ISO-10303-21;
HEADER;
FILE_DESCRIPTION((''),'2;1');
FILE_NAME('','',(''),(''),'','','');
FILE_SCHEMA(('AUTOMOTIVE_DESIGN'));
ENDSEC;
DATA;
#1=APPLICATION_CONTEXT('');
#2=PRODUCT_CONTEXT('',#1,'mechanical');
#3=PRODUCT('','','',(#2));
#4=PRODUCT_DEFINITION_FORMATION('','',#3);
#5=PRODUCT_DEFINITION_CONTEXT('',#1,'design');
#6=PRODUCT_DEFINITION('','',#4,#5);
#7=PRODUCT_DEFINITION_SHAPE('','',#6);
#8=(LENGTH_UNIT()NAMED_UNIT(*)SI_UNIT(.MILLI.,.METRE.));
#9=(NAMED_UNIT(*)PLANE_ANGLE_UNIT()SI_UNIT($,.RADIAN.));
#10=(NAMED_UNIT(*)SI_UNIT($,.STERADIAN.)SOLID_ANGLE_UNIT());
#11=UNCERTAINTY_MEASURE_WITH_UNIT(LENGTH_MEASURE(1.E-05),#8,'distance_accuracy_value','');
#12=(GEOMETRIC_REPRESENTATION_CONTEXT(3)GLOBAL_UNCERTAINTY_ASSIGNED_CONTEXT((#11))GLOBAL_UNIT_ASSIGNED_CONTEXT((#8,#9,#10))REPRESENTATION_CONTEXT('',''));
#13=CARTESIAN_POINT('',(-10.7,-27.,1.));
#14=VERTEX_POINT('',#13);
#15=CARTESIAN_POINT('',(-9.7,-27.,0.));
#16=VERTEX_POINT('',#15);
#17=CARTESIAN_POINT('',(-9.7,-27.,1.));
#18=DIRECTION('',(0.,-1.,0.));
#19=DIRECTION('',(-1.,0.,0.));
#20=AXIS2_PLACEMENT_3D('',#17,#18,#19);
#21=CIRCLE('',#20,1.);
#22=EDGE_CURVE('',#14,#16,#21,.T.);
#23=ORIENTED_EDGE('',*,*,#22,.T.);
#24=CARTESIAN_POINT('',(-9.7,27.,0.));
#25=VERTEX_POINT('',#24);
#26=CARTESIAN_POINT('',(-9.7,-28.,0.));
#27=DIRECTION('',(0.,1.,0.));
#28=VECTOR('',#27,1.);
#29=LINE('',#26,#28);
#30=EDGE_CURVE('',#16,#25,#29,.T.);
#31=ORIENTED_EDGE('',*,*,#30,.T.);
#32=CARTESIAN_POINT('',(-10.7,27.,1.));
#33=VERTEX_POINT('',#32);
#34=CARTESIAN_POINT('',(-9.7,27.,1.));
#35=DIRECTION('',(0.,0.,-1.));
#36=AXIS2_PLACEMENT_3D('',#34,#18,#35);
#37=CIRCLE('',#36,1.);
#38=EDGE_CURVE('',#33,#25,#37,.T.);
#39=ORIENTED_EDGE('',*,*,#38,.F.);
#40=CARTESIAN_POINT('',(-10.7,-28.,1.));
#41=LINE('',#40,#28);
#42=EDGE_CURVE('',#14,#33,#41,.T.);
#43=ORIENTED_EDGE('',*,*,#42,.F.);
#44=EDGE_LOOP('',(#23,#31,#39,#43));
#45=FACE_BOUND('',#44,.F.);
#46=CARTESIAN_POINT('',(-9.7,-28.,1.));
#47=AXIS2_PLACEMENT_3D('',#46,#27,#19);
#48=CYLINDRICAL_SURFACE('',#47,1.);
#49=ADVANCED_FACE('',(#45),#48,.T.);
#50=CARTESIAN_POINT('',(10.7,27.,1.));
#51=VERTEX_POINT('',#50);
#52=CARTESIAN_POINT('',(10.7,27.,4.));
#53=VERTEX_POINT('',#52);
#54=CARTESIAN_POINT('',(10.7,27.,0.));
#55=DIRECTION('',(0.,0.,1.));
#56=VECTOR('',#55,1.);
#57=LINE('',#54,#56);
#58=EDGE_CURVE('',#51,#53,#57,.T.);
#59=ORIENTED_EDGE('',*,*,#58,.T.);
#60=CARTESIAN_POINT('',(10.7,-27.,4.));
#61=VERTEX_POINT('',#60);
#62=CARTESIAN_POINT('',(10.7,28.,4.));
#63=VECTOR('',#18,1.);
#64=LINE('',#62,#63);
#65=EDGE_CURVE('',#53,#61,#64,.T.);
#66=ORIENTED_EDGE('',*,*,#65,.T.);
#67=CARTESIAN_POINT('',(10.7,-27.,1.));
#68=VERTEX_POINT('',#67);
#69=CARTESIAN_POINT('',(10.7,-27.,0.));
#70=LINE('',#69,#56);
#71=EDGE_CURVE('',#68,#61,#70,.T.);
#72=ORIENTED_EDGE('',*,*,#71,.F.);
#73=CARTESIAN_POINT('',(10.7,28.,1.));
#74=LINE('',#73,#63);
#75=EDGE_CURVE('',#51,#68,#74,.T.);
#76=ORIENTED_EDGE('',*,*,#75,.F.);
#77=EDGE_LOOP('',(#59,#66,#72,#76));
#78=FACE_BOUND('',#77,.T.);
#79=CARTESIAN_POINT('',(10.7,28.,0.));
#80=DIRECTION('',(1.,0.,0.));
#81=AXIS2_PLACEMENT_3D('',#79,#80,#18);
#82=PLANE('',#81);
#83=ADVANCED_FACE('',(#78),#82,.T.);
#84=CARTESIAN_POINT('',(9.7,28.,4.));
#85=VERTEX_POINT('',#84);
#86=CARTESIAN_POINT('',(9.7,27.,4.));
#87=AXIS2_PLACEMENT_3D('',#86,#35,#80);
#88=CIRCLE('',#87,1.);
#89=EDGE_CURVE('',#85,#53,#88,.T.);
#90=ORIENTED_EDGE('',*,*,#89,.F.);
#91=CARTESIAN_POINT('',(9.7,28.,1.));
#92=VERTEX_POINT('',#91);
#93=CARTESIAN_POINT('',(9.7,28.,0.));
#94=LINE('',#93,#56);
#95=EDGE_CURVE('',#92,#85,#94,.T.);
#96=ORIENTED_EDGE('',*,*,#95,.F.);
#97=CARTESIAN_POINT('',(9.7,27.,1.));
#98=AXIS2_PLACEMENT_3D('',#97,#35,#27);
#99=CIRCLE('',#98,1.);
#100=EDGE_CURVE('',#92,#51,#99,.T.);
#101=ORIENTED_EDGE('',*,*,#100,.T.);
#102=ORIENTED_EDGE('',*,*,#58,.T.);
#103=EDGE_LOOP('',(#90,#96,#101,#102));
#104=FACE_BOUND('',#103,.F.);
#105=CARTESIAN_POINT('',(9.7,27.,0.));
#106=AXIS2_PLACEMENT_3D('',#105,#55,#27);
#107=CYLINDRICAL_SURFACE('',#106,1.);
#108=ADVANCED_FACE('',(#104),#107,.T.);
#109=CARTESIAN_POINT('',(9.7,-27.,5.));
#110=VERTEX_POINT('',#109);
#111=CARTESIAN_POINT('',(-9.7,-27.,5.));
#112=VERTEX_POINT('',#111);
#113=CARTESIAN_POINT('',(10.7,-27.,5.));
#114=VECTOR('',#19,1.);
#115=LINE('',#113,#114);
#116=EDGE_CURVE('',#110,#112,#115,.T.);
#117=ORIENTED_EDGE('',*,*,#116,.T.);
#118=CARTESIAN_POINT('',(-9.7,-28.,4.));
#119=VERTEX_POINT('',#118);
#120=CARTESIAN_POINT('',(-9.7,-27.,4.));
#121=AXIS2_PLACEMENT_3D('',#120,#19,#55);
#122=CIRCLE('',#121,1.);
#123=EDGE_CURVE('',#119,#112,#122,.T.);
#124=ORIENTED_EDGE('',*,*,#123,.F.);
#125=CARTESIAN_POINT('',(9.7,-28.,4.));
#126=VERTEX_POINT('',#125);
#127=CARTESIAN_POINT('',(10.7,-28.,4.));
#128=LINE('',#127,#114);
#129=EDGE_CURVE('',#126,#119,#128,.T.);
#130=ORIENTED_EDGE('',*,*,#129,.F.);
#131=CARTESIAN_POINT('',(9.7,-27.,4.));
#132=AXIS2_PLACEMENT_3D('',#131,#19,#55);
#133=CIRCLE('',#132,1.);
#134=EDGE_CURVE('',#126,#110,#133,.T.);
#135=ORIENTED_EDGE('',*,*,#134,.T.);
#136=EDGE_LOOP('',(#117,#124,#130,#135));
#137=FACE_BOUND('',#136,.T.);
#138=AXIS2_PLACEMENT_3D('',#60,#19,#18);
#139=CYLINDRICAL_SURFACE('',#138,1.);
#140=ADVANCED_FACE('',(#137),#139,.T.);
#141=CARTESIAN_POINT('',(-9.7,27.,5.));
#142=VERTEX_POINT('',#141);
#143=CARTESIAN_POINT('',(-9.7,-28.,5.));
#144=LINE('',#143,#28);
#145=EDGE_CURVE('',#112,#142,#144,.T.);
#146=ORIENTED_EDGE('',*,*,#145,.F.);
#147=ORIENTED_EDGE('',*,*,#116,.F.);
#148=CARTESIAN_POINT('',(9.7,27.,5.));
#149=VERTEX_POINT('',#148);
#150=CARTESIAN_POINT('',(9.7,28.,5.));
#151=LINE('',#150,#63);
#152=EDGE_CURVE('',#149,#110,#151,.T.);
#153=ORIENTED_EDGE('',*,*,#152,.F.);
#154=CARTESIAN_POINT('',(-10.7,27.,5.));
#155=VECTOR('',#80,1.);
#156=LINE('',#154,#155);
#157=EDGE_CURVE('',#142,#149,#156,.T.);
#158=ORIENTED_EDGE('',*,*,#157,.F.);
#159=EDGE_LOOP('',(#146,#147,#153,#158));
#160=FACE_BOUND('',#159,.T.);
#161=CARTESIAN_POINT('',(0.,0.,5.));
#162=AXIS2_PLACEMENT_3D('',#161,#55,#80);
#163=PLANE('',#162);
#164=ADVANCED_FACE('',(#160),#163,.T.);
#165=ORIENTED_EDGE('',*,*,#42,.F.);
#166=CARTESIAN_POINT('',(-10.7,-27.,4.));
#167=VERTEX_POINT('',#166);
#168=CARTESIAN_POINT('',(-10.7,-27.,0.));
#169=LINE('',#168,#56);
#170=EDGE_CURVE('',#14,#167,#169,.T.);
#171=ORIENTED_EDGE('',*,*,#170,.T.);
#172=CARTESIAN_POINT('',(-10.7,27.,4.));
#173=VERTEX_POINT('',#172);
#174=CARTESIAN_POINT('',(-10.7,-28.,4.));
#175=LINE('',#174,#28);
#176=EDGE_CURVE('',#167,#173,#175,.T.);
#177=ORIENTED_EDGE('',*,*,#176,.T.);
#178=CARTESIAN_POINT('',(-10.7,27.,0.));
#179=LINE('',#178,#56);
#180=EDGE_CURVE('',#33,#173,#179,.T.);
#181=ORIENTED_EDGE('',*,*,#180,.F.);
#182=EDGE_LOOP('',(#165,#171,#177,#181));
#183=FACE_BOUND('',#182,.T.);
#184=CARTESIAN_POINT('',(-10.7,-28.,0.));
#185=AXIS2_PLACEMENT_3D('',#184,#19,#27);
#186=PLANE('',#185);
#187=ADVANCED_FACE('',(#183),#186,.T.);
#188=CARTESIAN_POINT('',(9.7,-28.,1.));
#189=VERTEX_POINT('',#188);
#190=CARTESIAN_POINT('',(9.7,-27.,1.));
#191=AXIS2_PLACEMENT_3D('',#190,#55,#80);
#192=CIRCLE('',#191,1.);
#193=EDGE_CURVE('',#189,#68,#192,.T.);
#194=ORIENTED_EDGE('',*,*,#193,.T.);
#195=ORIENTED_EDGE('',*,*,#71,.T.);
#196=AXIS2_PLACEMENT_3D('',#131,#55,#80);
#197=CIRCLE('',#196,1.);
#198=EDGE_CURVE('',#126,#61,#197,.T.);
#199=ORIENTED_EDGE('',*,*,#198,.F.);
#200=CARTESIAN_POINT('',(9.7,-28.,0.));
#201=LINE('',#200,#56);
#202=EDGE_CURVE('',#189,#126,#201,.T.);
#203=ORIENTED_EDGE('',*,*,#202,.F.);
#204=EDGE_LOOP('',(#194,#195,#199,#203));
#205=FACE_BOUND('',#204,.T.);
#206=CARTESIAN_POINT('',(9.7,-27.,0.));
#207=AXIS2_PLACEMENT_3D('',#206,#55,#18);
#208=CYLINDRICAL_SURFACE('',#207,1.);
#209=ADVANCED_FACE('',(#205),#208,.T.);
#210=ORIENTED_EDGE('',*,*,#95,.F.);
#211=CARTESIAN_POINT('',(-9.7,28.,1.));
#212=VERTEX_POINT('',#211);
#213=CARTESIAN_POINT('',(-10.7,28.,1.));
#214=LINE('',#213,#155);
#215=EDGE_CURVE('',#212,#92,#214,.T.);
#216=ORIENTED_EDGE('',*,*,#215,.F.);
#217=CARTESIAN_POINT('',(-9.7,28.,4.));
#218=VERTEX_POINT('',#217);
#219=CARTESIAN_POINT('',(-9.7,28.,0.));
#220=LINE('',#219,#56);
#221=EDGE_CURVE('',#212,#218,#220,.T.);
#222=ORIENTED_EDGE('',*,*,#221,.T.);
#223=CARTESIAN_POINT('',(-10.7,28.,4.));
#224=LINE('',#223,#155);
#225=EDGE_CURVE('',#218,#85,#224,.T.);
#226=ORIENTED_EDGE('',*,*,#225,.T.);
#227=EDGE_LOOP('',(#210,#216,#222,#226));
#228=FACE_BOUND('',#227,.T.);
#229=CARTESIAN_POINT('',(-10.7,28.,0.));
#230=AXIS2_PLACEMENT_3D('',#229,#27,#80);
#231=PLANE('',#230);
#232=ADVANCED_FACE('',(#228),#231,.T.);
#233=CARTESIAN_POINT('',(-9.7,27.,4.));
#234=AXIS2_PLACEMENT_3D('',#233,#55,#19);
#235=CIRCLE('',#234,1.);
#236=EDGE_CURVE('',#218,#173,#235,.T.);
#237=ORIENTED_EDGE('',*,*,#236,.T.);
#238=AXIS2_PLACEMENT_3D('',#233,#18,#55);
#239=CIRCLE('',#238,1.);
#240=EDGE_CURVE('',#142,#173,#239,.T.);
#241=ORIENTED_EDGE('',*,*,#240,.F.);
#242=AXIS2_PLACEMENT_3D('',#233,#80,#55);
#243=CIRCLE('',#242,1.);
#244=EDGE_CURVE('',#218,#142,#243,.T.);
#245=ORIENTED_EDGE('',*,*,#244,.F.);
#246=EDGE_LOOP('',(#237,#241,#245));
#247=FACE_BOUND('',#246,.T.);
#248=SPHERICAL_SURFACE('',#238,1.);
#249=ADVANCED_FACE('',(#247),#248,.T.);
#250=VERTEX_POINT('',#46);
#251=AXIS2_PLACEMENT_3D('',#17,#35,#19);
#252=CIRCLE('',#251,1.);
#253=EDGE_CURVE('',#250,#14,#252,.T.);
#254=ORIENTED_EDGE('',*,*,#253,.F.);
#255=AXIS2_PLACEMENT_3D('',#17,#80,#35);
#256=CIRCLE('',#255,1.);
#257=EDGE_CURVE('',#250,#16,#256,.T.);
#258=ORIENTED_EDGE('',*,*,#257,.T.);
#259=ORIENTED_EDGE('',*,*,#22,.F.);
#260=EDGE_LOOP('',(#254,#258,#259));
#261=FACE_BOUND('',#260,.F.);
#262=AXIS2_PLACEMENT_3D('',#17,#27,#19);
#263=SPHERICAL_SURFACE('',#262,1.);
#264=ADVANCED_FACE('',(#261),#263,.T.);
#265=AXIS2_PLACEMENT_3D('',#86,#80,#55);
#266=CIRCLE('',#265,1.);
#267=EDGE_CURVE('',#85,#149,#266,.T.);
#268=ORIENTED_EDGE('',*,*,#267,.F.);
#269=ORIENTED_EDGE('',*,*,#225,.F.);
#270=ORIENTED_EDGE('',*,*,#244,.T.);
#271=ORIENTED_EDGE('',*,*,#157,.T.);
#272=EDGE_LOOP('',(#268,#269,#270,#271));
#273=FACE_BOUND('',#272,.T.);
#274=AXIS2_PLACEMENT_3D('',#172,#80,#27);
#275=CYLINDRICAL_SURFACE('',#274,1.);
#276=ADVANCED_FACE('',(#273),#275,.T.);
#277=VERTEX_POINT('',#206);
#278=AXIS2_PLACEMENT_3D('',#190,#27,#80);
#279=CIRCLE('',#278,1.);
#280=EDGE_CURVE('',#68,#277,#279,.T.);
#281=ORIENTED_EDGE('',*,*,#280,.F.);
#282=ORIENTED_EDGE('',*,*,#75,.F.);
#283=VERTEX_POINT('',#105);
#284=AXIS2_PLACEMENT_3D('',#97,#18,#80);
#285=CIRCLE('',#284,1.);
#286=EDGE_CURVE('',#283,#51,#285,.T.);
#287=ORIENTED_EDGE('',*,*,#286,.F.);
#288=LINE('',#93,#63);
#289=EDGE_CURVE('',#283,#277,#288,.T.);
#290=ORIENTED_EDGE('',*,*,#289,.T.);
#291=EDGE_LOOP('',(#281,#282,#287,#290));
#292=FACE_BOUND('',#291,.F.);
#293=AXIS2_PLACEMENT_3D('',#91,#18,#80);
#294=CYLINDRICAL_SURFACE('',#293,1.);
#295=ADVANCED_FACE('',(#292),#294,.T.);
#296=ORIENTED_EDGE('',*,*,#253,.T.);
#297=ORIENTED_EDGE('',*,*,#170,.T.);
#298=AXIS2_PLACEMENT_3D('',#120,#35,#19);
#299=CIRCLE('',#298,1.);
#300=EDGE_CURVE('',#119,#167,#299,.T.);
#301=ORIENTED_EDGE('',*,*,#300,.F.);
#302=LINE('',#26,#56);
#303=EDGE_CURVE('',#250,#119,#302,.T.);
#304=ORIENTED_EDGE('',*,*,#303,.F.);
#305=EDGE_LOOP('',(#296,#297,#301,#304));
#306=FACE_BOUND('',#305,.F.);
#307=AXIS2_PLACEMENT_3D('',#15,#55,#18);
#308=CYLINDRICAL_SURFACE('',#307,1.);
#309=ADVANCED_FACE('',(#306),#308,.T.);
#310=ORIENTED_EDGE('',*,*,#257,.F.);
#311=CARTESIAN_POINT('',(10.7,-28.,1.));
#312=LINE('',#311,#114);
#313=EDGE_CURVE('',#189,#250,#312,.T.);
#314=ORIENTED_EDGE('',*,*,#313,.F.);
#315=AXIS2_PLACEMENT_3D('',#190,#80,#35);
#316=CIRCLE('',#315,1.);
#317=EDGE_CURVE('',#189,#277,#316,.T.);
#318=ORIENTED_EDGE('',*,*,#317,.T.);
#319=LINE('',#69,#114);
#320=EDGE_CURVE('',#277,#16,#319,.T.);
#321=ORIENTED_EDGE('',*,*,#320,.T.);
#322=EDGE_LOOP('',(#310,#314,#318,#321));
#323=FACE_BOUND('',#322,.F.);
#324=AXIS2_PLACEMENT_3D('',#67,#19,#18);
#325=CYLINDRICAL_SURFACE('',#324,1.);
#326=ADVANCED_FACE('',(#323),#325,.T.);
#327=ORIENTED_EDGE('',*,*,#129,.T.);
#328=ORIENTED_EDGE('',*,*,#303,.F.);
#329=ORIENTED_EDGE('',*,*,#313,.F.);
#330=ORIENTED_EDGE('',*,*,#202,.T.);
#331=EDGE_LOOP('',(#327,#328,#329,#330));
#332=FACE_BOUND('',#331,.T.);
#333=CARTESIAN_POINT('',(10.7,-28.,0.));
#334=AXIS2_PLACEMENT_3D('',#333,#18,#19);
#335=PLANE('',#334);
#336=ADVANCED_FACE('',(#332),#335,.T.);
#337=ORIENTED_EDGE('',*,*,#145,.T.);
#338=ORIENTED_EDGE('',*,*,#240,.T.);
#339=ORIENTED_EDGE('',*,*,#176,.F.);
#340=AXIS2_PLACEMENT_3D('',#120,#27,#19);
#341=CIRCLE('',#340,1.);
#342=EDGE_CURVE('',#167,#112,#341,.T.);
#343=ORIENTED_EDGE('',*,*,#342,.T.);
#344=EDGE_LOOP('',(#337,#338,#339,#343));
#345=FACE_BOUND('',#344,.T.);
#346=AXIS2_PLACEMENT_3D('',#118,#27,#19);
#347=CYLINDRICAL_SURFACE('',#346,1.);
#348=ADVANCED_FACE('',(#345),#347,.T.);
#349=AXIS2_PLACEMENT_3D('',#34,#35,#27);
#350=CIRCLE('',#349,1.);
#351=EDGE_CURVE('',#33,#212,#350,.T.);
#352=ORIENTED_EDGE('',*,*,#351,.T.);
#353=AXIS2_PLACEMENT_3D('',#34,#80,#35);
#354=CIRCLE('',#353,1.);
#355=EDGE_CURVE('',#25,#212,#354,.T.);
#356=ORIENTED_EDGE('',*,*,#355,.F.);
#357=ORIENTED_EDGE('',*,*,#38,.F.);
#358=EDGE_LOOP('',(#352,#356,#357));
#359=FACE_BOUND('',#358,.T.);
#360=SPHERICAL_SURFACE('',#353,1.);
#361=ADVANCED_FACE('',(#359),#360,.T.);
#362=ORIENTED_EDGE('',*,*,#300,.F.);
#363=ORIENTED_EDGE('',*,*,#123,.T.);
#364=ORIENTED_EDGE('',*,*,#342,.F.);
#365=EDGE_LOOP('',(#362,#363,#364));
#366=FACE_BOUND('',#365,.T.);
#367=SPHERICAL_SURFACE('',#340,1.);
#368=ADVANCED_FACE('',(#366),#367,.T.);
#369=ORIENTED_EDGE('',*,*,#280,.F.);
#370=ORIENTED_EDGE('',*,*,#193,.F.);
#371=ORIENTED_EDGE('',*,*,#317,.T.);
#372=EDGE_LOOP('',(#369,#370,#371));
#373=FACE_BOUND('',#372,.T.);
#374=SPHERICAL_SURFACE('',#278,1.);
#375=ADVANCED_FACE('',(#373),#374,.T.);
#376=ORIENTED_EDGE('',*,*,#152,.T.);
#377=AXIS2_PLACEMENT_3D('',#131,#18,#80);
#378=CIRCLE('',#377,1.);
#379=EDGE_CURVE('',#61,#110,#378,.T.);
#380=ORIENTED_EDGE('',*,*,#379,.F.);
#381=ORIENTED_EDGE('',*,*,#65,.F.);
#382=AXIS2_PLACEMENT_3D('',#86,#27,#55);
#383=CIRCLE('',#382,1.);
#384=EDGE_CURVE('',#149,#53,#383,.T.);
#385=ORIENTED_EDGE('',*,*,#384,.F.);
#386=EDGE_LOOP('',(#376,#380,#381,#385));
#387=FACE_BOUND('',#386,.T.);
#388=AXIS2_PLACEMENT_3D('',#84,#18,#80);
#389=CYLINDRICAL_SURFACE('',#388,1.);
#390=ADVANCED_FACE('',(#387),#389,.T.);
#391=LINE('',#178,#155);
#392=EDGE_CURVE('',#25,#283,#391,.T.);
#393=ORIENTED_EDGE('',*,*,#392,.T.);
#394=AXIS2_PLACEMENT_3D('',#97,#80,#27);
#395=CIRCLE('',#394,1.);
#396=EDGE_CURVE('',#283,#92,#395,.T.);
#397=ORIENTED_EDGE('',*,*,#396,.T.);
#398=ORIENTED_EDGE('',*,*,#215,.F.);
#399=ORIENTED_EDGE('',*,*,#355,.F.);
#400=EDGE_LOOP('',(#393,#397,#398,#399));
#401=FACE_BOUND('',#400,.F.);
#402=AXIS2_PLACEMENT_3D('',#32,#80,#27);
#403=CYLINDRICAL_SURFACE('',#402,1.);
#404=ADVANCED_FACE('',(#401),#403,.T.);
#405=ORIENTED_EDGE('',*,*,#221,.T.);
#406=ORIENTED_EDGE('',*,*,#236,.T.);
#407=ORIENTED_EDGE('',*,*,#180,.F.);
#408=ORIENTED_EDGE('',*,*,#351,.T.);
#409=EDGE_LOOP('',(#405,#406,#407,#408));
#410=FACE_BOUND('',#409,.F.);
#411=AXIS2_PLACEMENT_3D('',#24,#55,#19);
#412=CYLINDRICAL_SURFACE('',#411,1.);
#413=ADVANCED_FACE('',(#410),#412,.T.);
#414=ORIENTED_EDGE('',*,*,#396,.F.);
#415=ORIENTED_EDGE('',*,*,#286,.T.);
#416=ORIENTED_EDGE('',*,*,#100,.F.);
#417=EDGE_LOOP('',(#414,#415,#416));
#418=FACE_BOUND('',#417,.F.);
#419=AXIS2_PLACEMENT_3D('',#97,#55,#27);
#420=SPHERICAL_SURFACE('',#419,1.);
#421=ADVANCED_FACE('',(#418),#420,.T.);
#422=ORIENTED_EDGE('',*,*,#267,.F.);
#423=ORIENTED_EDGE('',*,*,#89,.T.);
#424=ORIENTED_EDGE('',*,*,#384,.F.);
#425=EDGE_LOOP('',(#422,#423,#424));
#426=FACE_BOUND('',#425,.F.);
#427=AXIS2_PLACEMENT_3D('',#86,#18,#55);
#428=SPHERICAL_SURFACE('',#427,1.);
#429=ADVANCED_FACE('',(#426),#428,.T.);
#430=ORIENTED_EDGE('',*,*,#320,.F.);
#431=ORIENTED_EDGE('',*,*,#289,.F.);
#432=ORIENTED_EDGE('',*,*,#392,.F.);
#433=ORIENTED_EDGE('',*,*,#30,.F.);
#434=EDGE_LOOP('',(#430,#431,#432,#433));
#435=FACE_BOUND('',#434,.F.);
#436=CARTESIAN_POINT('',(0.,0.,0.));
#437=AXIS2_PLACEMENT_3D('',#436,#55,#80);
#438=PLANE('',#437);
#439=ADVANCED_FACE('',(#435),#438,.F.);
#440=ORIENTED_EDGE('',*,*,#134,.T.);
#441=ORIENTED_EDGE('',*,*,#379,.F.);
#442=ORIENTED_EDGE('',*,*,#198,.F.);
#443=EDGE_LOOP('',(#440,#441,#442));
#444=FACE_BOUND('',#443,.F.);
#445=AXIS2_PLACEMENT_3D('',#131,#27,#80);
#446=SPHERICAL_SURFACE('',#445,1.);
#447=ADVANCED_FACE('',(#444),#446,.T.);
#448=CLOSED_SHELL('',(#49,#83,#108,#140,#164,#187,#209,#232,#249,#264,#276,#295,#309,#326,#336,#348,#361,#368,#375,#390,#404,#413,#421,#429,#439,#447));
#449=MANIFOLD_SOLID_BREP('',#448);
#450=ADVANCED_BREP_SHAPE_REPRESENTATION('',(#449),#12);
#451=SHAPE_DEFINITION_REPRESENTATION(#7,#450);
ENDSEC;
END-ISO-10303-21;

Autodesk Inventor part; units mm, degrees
ref_plane "YZ Plane" through (0, 0, 0) normal (1, 0, 0) x (0, 1, 0)
ref_plane "XZ Plane" through (0, 0, 0) normal (0, 1, 0) x (-1, 0, 0)
ref_plane "XY Plane" through (0, 0, 0) normal (0, 0, 1) x (1, 0, 0)
sketch "草图1" plane through (0, 0, 0) normal (0, 0, 1) x (1, 0, 0)
  line L0 (10.7, -28) -> (-10.7, -28)
  line L1 (-10.7, -28) -> (-10.7, 28)
  line L2 (-10.7, 28) -> (10.7, 28)
  line L3 (10.7, 28) -> (10.7, -28)
  line L4 (10.7, -28) -> (-10.7, 28) construction
  line L5 (-10.7, -28) -> (10.7, 28) construction
  point P0 (0, 0)
  dimension "d0" = 56
  dimension "d1" = 21.4
extrude "拉伸1" add sketch "草图1" along normal blind 5
fillet "圆角1" radius 1 12 edges at (-10.7, 0, 5) (10.7, 0, 5) (0, 28, 5) (10.7, 28, 2.5) (0, 28, 0) (10.7, 0, 0) (-10.7, 0, 0) (-10.7, -28, 2.5) (10.7, -28, 2.5) (0, -28, 0) (0, -28, 5) (-10.7, 28, 2.5)
properties part number "上板电池"
